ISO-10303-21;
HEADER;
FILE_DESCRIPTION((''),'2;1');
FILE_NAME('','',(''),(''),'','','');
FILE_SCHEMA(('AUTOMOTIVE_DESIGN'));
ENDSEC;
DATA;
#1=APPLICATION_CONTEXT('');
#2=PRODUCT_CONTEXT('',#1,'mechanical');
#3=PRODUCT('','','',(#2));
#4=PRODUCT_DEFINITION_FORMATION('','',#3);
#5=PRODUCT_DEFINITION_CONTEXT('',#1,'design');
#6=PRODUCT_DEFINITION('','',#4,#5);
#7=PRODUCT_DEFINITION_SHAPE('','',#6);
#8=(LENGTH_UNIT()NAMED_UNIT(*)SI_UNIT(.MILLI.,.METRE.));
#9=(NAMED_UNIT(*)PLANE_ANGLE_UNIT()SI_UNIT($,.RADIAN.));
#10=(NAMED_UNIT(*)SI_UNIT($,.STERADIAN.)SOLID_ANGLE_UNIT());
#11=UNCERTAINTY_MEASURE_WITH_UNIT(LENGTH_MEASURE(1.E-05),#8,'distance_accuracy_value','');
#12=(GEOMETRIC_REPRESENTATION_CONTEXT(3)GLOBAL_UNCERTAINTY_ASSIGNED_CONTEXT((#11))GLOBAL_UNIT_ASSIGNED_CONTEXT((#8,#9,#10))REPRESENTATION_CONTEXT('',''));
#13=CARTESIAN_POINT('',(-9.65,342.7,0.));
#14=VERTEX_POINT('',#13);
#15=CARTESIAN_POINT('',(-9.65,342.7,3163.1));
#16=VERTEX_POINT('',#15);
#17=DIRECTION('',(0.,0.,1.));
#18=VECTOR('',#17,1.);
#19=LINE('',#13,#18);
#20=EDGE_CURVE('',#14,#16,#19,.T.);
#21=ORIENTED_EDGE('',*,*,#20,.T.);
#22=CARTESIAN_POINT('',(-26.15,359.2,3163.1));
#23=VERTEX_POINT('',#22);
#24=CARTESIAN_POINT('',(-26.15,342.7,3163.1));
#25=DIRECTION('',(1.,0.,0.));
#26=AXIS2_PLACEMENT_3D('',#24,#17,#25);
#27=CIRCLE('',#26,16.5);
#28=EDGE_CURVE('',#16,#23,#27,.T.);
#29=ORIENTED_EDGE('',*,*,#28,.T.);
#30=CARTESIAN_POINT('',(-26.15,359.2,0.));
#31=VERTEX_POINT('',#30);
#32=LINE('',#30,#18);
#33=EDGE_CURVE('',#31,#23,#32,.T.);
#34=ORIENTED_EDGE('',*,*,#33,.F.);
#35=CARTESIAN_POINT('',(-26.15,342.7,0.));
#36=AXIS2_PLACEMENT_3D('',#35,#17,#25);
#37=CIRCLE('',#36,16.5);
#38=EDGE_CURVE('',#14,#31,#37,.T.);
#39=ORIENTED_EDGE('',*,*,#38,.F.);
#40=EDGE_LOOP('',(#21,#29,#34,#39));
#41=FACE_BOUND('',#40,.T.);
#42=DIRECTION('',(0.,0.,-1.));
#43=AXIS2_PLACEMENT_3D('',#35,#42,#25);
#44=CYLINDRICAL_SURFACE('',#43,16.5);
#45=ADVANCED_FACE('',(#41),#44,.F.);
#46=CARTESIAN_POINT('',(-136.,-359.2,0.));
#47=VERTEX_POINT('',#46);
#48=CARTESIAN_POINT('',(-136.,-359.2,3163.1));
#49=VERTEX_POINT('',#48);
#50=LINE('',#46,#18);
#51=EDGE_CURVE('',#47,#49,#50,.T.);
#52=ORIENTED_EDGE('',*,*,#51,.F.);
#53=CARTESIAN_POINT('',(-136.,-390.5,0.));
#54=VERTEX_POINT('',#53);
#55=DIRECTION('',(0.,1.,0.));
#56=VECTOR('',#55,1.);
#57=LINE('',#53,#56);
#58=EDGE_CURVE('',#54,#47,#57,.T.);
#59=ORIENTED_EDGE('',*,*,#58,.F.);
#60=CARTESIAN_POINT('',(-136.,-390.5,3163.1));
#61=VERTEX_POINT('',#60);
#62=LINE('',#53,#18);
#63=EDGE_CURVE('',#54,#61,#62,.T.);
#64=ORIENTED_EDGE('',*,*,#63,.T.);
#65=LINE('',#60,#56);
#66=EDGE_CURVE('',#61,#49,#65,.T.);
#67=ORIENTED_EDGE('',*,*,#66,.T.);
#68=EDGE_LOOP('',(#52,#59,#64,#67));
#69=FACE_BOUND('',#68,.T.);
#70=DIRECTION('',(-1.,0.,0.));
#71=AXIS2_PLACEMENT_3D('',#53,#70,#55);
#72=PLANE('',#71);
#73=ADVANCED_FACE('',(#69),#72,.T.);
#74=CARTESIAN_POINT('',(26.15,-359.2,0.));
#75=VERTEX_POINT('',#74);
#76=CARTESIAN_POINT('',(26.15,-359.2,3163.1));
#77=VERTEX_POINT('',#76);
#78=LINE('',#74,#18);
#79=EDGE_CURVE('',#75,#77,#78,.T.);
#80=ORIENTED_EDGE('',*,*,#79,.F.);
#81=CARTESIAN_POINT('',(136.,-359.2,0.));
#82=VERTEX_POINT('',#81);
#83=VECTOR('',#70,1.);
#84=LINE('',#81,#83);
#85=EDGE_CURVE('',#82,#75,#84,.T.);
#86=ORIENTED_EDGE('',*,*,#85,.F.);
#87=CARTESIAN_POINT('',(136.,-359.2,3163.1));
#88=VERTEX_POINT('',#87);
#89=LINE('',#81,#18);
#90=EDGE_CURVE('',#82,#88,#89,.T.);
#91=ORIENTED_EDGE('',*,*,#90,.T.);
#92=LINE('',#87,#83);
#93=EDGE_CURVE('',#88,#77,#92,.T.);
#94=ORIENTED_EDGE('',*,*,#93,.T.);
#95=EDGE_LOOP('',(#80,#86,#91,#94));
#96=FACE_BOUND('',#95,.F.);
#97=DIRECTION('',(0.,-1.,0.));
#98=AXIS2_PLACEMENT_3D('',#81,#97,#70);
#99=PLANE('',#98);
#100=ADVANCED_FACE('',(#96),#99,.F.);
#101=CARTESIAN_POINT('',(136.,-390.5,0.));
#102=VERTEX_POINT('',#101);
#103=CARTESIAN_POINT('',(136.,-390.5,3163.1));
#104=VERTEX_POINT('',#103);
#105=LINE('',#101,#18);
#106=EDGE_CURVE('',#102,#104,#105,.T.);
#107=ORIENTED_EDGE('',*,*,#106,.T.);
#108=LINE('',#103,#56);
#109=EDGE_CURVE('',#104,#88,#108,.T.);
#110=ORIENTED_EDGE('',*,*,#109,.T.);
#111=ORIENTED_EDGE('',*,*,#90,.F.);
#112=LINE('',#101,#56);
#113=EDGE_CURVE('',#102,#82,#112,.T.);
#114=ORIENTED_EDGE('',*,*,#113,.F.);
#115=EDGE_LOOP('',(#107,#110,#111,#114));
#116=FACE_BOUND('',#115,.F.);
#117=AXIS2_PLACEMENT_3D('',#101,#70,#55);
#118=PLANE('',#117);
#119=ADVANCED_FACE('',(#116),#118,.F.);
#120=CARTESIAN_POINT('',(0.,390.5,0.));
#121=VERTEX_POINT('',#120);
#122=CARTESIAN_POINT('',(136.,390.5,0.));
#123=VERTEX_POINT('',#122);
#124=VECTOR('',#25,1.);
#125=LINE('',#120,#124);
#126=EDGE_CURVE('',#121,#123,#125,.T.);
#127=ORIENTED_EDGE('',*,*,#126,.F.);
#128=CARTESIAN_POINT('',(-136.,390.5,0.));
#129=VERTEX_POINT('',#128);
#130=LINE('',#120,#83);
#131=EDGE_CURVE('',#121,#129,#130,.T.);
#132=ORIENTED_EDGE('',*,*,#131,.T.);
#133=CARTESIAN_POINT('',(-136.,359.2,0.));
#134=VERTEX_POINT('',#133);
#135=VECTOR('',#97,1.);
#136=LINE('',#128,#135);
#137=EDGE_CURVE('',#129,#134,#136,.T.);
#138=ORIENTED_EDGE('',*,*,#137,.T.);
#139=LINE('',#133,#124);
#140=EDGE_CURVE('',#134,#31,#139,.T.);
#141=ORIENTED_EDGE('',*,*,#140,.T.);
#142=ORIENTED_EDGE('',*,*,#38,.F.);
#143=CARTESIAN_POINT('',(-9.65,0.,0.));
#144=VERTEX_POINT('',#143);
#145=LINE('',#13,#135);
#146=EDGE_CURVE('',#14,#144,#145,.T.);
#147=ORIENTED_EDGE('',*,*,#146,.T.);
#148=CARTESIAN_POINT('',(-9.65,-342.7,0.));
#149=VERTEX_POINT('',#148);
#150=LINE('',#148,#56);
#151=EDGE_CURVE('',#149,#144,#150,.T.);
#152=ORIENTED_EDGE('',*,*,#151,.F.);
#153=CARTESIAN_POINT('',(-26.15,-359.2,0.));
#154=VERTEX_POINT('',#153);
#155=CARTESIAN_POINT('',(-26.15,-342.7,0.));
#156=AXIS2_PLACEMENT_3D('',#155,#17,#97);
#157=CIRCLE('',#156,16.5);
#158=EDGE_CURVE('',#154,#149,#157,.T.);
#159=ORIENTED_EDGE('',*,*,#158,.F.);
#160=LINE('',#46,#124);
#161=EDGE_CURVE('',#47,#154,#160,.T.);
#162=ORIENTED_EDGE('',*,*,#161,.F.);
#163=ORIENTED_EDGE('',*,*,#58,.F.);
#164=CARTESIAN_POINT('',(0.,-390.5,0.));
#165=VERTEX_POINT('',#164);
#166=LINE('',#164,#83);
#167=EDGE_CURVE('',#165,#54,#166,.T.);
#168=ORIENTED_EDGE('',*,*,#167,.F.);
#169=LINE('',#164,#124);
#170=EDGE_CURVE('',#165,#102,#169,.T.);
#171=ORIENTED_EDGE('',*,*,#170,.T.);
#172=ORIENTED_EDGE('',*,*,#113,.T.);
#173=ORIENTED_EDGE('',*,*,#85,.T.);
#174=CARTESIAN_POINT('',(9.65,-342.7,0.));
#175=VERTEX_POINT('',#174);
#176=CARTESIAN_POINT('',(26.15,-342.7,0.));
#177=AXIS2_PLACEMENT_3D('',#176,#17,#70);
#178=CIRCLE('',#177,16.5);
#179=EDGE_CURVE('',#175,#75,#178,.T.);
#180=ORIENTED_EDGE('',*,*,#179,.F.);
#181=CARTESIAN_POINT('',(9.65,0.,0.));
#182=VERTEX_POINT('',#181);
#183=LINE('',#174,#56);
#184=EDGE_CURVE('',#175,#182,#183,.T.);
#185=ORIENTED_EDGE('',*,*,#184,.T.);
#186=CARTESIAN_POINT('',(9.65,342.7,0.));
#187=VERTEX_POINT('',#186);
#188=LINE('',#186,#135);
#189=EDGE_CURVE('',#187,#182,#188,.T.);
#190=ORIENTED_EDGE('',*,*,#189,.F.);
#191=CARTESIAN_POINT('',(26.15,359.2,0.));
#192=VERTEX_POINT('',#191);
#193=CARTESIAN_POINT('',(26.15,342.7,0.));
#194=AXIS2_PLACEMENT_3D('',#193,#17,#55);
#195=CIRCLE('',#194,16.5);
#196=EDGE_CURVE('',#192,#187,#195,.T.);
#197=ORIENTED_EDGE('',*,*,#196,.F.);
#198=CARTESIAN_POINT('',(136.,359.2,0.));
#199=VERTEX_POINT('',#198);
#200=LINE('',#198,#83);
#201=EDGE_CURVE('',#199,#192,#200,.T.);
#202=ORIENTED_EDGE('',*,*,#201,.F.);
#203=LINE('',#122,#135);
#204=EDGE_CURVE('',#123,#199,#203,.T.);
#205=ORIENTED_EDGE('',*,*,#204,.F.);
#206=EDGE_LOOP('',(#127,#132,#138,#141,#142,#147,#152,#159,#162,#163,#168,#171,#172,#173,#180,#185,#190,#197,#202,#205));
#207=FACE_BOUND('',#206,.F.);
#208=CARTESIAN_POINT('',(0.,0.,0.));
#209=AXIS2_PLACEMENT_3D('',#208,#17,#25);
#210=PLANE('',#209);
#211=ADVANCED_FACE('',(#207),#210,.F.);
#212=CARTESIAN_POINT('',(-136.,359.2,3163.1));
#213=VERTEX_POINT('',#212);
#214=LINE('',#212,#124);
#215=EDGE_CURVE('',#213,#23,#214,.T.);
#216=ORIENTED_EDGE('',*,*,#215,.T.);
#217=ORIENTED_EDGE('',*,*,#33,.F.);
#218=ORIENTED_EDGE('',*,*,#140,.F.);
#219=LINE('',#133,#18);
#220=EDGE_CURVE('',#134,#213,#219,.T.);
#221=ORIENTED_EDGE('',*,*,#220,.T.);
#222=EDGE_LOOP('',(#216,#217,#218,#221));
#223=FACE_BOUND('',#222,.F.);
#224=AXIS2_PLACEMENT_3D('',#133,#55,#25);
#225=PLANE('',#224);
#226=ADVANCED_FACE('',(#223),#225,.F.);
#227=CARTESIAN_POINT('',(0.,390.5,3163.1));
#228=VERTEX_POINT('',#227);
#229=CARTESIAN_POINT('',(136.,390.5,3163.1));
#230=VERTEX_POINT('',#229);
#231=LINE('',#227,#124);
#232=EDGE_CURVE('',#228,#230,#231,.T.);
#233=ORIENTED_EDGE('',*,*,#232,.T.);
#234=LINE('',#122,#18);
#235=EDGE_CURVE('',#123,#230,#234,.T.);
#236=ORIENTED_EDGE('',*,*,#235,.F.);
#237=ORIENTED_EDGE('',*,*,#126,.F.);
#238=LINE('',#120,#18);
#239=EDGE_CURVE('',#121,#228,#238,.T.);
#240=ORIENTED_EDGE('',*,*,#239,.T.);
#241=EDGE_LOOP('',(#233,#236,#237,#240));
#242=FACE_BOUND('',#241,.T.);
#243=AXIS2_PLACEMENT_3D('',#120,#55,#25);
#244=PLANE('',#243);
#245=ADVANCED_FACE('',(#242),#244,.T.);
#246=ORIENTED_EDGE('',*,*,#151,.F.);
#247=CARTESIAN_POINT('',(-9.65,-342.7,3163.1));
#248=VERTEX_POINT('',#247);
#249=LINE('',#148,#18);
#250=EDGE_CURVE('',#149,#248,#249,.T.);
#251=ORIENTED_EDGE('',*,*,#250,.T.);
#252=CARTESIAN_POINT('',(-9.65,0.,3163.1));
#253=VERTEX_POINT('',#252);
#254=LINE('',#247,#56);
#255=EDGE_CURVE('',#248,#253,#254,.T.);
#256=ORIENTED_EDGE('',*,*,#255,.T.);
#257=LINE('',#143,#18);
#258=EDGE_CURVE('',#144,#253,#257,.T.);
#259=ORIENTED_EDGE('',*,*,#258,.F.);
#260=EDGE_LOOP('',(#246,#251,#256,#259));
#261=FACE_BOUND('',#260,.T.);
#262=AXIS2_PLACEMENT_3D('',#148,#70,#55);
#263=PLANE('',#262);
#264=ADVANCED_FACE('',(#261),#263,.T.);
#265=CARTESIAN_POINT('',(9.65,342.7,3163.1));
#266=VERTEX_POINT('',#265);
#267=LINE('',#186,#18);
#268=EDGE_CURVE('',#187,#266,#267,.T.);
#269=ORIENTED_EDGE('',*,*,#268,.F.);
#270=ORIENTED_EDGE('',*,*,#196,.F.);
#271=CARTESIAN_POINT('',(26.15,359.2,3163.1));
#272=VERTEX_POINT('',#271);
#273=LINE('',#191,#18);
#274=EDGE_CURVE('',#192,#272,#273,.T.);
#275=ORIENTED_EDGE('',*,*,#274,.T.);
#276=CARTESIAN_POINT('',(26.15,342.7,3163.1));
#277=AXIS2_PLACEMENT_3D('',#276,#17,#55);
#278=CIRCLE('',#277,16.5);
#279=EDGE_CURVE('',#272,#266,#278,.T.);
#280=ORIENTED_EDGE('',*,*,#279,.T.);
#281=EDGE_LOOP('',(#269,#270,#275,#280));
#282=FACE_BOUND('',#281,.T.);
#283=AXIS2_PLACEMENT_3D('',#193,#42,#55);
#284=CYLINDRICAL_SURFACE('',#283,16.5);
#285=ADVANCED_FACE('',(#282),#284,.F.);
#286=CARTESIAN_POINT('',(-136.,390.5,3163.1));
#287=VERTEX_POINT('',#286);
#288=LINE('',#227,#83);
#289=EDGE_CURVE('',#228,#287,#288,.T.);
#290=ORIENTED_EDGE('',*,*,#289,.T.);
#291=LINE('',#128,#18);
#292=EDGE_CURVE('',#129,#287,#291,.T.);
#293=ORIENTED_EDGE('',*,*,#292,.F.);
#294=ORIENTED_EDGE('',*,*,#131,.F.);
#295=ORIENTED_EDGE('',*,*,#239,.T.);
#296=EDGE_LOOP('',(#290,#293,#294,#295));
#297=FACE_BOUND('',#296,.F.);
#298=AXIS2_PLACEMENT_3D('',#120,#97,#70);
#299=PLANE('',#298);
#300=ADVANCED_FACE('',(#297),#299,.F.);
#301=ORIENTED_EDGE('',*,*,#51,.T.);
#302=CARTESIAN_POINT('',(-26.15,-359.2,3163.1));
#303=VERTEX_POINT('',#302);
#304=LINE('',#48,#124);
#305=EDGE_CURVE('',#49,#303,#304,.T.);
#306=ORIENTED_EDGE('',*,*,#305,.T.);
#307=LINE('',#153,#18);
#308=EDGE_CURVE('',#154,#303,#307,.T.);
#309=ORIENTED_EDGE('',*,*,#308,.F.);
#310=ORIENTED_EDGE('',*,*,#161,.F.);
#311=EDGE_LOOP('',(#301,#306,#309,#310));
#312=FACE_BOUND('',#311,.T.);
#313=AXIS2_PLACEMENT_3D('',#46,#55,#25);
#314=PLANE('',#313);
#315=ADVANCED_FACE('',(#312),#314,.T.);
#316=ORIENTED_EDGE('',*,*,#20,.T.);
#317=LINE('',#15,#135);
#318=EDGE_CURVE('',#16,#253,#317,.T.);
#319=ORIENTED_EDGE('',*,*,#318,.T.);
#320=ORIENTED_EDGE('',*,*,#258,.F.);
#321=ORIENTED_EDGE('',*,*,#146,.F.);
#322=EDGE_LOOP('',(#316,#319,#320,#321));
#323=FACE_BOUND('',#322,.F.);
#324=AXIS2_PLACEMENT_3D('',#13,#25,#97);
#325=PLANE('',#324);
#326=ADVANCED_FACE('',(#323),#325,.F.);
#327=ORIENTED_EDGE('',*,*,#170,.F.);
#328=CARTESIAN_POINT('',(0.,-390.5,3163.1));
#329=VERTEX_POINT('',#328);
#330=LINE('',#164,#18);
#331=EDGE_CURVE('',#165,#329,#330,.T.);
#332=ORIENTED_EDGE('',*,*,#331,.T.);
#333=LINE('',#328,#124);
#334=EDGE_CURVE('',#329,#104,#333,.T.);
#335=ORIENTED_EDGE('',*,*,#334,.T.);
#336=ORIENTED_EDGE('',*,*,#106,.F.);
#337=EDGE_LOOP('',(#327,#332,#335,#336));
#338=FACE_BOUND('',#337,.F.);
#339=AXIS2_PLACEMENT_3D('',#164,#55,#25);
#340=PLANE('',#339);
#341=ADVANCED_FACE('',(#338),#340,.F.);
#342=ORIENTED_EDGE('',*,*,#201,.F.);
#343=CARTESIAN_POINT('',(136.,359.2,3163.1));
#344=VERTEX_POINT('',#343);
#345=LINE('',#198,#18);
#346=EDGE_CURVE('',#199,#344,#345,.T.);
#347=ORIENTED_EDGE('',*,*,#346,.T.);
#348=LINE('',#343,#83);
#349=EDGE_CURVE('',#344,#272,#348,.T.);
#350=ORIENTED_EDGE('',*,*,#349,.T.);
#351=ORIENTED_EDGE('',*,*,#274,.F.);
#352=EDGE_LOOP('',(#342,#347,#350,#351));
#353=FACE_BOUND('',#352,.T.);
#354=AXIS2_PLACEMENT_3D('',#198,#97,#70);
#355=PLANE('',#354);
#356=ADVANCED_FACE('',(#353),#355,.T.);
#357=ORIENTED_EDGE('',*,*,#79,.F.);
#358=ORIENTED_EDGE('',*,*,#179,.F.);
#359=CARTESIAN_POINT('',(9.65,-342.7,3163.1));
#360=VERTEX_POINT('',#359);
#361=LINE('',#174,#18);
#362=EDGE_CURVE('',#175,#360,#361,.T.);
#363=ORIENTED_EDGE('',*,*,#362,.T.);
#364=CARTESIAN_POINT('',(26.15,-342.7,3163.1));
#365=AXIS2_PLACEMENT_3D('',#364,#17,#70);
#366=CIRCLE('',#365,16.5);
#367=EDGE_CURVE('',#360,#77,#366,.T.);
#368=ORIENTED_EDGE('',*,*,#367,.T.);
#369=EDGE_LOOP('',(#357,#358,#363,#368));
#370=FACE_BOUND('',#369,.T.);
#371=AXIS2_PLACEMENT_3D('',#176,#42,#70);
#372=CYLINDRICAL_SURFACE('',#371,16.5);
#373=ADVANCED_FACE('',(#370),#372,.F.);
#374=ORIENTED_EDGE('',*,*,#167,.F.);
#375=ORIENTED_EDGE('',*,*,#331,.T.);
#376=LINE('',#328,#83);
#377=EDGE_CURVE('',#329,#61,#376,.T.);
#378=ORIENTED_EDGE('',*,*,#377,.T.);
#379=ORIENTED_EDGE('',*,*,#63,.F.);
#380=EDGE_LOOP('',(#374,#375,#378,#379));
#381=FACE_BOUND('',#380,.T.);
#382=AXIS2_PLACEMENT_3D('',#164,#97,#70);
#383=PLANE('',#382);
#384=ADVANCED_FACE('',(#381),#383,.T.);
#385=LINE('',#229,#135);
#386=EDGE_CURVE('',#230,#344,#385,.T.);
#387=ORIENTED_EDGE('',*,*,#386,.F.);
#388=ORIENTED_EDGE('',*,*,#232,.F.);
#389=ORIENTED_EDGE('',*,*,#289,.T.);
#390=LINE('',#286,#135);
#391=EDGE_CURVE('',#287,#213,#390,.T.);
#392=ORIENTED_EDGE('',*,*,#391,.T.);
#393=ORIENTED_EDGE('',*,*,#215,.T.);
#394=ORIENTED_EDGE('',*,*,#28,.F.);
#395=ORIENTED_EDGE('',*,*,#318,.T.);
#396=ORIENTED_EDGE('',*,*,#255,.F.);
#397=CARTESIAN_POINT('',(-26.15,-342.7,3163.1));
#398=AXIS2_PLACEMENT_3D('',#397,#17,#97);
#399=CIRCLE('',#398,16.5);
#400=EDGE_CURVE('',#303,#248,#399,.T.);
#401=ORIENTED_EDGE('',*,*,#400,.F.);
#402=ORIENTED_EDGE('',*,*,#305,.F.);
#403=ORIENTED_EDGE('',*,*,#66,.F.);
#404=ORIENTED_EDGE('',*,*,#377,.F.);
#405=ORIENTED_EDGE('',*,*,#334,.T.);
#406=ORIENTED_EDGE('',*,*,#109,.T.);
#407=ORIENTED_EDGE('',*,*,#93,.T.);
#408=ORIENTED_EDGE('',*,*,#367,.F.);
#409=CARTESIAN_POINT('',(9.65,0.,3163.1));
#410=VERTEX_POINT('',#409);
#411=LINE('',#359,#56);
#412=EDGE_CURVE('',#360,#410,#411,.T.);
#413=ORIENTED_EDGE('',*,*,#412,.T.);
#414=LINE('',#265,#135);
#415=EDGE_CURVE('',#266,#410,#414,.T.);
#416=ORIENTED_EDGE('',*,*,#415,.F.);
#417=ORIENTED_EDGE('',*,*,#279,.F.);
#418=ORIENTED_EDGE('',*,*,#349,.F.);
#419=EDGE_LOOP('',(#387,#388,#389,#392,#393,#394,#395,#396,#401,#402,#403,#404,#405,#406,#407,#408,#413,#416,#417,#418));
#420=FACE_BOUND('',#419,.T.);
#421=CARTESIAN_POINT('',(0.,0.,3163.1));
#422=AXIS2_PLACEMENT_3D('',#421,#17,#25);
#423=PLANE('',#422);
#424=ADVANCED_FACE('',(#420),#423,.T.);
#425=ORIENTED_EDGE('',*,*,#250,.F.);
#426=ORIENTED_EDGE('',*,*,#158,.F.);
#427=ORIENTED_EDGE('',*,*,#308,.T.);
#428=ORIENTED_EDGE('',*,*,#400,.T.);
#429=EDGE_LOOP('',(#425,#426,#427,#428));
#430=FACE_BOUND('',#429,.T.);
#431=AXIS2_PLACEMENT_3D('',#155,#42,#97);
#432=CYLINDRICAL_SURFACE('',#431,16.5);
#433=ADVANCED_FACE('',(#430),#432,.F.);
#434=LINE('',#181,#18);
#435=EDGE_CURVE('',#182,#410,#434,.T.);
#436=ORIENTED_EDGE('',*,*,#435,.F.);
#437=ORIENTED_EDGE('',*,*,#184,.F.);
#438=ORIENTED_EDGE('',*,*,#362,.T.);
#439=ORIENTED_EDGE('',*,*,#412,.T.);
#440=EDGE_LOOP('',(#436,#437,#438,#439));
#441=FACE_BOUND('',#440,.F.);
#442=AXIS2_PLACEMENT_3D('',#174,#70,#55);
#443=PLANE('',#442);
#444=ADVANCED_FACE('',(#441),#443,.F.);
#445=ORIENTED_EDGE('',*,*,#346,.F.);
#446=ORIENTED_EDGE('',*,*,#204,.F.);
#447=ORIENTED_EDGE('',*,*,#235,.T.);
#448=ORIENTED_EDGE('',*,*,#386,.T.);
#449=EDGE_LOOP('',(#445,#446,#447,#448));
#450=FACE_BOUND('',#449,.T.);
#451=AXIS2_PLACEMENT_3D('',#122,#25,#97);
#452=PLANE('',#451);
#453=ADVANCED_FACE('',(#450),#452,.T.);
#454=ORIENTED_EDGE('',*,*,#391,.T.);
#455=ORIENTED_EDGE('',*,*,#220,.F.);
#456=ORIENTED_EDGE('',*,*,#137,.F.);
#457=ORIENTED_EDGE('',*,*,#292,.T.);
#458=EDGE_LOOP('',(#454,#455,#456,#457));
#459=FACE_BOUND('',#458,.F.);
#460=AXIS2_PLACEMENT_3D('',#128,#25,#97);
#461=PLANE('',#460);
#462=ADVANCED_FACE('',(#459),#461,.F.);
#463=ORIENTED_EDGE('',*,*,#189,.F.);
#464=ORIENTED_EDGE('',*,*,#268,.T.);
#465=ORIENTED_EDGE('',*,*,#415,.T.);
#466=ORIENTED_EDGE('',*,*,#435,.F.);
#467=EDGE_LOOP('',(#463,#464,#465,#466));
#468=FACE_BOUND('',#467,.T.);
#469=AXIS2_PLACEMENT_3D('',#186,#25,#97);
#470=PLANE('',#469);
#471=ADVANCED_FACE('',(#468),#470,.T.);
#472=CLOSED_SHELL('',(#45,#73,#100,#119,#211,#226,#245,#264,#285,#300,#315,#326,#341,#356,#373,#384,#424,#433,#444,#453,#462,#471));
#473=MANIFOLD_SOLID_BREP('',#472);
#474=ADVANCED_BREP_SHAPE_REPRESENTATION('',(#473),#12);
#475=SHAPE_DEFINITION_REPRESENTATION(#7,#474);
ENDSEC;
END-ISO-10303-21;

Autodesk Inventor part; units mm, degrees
ref_plane "YZ Plane" through (0, 0, 0) normal (1, 0, 0) x (0, 1, 0)
ref_plane "Start plane" through (0, 0, 0) normal (0, 0, 1) x (1, 0, 0)
ref_plane "End plane" through (0, 0, 3163.1) normal (0, 0, 1) x (1, 0, 0)
sketch "Sketch" plane through (0, 0, 0) normal (0, 0, 1) x (1, 0, 0)
  line L0 (-136, -390.5) -> (-136, -359.2)
  line L1 (-136, -359.2) -> (-26.15, -359.2)
  line L2 (-9.65, -342.7) -> (-9.65, 0)
  line L3 (-9.65, 0) -> (0, 0) construction
  line L4 (0, 0) -> (0, -390.5) construction
  line L5 (0, -390.5) -> (-136, -390.5)
  line L6 (-60, 0) -> (80, 0) construction
  line L7 (0, -60) -> (0, 80) construction
  line L8 (136, -390.5) -> (136, -359.2)
  line L9 (136, -359.2) -> (26.15, -359.2)
  line L10 (9.65, -342.7) -> (9.65, 0)
  line L11 (9.65, 0) -> (0, 0) construction
  line L12 (0, -390.5) -> (136, -390.5)
  line L13 (-136, 390.5) -> (-136, 359.2)
  line L14 (-136, 359.2) -> (-26.15, 359.2)
  line L15 (-9.65, 342.7) -> (-9.65, 0)
  line L16 (0, 390.5) -> (-136, 390.5)
  line L17 (136, 390.5) -> (136, 359.2)
  line L18 (136, 359.2) -> (26.15, 359.2)
  line L19 (0, 390.5) -> (136, 390.5)
  line L20 (9.65, 342.7) -> (9.65, 0)
  arc A0 (-9.65, 342.7) -> (-26.15, 359.2) centre (-26.15, 342.7) ccw
  arc A1 (26.15, 359.2) -> (9.65, 342.7) centre (26.15, 342.7) ccw
  arc A2 (9.65, -342.7) -> (26.15, -359.2) centre (26.15, -342.7) ccw
  arc A3 (-26.15, -359.2) -> (-9.65, -342.7) centre (-26.15, -342.7) ccw
  line L21 (0, 108) -> (0, -88) construction
  line L22 (-88, 0) -> (108, 0) construction
  point P0 (-9.65, -359.2)
  point P1 (9.65, -359.2)
  point P2 (-9.65, 359.2)
  point P3 (9.65, 359.2)
  dimension "d1" = 390.5
  dimension "d2" = 31.3
  dimension "d3" = 136
  dimension "d4" = 9.65
  dimension "d10" = 16.5
extrude "Body" add sketch "Sketch" along normal up to surface (3163.1 mm away) from surface at 0
sketch "Sketch4" plane through (0, 0, 0) normal (0, 0, 1) x (1, 0, 0)
  line L0 (0, 0) -> (10, 0)
ref_plane "Work Plane3" through (0, 0, 0) normal (0, -1, 0) x (1, 0, 0)
sketch "Sketch5" plane through (0, 0, 0) normal (0, -1, 0) x (1, 0, 0)
  line L0 (-2, 0) -> (12, 0) projected
  line L1 (-2, 3163.1) -> (12, 3163.1) projected
  dimension "d14" = 3163.1
equation "\"d1\" = 0.5 * G_H"
equation "\"d2\" = G_T1"
equation "\"d3\" = 0.5 * G_W"
equation "\"d4\" = 0.5 * G_T"
equation "\"d10\" = G_IR"
equation "\"d5\" = G_L"
equation "\"G_W\" = 272"
equation "\"G_H\" = 781"
equation "\"G_T\" = 19.3"
equation "\"G_T1\" = 31.3"
equation "\"G_IR\" = 16.5"
equation "\"G_L\" = d14"
equation "\"G_OFFSET_START\" = 0"
equation "\"G_OFFSET_END\" = 0"
equation "\"d12\" = G_OFFSET_END + B_L"
equation "\"B_L\" = 3163.1"
properties part number "AS 3679-1990 - 760 UB - 244 - 3163.1" material "Steel, Mild"
